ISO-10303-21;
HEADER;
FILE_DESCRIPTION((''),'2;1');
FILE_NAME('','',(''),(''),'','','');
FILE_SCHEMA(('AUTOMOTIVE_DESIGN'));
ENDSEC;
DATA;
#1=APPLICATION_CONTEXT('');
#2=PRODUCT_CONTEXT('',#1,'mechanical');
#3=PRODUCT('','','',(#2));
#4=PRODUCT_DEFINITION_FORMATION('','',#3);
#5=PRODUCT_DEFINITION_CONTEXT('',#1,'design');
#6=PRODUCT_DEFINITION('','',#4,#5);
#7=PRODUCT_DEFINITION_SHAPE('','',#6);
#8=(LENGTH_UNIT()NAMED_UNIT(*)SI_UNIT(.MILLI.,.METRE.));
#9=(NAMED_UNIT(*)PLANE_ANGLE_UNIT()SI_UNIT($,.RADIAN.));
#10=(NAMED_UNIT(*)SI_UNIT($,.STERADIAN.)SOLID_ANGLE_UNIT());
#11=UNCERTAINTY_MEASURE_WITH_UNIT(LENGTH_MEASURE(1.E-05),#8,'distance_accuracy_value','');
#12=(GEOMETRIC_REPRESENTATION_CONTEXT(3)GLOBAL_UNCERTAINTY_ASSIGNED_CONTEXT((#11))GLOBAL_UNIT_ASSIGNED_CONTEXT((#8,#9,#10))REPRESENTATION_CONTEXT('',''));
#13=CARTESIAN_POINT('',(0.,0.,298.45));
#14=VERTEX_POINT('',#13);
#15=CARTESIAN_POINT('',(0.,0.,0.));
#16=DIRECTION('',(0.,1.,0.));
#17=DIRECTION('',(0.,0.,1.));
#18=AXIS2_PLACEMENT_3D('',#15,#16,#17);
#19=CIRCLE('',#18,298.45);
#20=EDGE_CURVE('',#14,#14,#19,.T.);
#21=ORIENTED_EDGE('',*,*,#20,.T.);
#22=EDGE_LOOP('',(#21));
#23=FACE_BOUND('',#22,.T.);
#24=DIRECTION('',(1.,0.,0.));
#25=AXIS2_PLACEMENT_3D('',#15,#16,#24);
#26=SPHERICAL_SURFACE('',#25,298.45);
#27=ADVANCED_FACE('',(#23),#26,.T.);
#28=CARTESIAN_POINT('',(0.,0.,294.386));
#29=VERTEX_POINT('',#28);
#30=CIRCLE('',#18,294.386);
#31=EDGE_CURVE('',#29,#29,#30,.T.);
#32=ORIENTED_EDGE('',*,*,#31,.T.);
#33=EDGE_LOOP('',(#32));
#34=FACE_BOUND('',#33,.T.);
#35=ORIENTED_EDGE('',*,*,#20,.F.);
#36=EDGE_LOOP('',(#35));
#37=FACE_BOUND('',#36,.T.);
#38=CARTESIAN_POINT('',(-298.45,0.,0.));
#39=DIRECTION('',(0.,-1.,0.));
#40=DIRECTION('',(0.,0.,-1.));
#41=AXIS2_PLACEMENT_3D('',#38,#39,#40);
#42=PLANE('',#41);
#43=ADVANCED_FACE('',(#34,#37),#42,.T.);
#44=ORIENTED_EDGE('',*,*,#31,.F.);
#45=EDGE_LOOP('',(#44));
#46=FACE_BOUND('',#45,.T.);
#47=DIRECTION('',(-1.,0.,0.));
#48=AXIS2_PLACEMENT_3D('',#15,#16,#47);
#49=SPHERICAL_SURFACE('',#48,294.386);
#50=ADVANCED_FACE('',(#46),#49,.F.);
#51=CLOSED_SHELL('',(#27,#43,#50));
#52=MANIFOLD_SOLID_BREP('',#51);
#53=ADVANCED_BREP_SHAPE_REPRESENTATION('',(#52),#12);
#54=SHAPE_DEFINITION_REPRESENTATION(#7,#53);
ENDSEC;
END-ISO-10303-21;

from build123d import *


with BuildPart() as part:
    # Sketch1 → Revolve1 (revolve)
    with BuildSketch(Plane.XY):
        with BuildLine():
            Line((0, 294.386), (0, 298.45))
            ThreePointArc((0, 298.45), (-211.036018845, 211.036018845), (-298.45, 0))
            Line((-298.45, 0), (-294.386, 0))
            ThreePointArc((-294.386, 0), (-208.162336886, 208.162336886), (0, 294.386))
        make_face()
    revolve(axis=Axis((0, 298.45, 0), (0, -1, 0)))


solid = part.part
